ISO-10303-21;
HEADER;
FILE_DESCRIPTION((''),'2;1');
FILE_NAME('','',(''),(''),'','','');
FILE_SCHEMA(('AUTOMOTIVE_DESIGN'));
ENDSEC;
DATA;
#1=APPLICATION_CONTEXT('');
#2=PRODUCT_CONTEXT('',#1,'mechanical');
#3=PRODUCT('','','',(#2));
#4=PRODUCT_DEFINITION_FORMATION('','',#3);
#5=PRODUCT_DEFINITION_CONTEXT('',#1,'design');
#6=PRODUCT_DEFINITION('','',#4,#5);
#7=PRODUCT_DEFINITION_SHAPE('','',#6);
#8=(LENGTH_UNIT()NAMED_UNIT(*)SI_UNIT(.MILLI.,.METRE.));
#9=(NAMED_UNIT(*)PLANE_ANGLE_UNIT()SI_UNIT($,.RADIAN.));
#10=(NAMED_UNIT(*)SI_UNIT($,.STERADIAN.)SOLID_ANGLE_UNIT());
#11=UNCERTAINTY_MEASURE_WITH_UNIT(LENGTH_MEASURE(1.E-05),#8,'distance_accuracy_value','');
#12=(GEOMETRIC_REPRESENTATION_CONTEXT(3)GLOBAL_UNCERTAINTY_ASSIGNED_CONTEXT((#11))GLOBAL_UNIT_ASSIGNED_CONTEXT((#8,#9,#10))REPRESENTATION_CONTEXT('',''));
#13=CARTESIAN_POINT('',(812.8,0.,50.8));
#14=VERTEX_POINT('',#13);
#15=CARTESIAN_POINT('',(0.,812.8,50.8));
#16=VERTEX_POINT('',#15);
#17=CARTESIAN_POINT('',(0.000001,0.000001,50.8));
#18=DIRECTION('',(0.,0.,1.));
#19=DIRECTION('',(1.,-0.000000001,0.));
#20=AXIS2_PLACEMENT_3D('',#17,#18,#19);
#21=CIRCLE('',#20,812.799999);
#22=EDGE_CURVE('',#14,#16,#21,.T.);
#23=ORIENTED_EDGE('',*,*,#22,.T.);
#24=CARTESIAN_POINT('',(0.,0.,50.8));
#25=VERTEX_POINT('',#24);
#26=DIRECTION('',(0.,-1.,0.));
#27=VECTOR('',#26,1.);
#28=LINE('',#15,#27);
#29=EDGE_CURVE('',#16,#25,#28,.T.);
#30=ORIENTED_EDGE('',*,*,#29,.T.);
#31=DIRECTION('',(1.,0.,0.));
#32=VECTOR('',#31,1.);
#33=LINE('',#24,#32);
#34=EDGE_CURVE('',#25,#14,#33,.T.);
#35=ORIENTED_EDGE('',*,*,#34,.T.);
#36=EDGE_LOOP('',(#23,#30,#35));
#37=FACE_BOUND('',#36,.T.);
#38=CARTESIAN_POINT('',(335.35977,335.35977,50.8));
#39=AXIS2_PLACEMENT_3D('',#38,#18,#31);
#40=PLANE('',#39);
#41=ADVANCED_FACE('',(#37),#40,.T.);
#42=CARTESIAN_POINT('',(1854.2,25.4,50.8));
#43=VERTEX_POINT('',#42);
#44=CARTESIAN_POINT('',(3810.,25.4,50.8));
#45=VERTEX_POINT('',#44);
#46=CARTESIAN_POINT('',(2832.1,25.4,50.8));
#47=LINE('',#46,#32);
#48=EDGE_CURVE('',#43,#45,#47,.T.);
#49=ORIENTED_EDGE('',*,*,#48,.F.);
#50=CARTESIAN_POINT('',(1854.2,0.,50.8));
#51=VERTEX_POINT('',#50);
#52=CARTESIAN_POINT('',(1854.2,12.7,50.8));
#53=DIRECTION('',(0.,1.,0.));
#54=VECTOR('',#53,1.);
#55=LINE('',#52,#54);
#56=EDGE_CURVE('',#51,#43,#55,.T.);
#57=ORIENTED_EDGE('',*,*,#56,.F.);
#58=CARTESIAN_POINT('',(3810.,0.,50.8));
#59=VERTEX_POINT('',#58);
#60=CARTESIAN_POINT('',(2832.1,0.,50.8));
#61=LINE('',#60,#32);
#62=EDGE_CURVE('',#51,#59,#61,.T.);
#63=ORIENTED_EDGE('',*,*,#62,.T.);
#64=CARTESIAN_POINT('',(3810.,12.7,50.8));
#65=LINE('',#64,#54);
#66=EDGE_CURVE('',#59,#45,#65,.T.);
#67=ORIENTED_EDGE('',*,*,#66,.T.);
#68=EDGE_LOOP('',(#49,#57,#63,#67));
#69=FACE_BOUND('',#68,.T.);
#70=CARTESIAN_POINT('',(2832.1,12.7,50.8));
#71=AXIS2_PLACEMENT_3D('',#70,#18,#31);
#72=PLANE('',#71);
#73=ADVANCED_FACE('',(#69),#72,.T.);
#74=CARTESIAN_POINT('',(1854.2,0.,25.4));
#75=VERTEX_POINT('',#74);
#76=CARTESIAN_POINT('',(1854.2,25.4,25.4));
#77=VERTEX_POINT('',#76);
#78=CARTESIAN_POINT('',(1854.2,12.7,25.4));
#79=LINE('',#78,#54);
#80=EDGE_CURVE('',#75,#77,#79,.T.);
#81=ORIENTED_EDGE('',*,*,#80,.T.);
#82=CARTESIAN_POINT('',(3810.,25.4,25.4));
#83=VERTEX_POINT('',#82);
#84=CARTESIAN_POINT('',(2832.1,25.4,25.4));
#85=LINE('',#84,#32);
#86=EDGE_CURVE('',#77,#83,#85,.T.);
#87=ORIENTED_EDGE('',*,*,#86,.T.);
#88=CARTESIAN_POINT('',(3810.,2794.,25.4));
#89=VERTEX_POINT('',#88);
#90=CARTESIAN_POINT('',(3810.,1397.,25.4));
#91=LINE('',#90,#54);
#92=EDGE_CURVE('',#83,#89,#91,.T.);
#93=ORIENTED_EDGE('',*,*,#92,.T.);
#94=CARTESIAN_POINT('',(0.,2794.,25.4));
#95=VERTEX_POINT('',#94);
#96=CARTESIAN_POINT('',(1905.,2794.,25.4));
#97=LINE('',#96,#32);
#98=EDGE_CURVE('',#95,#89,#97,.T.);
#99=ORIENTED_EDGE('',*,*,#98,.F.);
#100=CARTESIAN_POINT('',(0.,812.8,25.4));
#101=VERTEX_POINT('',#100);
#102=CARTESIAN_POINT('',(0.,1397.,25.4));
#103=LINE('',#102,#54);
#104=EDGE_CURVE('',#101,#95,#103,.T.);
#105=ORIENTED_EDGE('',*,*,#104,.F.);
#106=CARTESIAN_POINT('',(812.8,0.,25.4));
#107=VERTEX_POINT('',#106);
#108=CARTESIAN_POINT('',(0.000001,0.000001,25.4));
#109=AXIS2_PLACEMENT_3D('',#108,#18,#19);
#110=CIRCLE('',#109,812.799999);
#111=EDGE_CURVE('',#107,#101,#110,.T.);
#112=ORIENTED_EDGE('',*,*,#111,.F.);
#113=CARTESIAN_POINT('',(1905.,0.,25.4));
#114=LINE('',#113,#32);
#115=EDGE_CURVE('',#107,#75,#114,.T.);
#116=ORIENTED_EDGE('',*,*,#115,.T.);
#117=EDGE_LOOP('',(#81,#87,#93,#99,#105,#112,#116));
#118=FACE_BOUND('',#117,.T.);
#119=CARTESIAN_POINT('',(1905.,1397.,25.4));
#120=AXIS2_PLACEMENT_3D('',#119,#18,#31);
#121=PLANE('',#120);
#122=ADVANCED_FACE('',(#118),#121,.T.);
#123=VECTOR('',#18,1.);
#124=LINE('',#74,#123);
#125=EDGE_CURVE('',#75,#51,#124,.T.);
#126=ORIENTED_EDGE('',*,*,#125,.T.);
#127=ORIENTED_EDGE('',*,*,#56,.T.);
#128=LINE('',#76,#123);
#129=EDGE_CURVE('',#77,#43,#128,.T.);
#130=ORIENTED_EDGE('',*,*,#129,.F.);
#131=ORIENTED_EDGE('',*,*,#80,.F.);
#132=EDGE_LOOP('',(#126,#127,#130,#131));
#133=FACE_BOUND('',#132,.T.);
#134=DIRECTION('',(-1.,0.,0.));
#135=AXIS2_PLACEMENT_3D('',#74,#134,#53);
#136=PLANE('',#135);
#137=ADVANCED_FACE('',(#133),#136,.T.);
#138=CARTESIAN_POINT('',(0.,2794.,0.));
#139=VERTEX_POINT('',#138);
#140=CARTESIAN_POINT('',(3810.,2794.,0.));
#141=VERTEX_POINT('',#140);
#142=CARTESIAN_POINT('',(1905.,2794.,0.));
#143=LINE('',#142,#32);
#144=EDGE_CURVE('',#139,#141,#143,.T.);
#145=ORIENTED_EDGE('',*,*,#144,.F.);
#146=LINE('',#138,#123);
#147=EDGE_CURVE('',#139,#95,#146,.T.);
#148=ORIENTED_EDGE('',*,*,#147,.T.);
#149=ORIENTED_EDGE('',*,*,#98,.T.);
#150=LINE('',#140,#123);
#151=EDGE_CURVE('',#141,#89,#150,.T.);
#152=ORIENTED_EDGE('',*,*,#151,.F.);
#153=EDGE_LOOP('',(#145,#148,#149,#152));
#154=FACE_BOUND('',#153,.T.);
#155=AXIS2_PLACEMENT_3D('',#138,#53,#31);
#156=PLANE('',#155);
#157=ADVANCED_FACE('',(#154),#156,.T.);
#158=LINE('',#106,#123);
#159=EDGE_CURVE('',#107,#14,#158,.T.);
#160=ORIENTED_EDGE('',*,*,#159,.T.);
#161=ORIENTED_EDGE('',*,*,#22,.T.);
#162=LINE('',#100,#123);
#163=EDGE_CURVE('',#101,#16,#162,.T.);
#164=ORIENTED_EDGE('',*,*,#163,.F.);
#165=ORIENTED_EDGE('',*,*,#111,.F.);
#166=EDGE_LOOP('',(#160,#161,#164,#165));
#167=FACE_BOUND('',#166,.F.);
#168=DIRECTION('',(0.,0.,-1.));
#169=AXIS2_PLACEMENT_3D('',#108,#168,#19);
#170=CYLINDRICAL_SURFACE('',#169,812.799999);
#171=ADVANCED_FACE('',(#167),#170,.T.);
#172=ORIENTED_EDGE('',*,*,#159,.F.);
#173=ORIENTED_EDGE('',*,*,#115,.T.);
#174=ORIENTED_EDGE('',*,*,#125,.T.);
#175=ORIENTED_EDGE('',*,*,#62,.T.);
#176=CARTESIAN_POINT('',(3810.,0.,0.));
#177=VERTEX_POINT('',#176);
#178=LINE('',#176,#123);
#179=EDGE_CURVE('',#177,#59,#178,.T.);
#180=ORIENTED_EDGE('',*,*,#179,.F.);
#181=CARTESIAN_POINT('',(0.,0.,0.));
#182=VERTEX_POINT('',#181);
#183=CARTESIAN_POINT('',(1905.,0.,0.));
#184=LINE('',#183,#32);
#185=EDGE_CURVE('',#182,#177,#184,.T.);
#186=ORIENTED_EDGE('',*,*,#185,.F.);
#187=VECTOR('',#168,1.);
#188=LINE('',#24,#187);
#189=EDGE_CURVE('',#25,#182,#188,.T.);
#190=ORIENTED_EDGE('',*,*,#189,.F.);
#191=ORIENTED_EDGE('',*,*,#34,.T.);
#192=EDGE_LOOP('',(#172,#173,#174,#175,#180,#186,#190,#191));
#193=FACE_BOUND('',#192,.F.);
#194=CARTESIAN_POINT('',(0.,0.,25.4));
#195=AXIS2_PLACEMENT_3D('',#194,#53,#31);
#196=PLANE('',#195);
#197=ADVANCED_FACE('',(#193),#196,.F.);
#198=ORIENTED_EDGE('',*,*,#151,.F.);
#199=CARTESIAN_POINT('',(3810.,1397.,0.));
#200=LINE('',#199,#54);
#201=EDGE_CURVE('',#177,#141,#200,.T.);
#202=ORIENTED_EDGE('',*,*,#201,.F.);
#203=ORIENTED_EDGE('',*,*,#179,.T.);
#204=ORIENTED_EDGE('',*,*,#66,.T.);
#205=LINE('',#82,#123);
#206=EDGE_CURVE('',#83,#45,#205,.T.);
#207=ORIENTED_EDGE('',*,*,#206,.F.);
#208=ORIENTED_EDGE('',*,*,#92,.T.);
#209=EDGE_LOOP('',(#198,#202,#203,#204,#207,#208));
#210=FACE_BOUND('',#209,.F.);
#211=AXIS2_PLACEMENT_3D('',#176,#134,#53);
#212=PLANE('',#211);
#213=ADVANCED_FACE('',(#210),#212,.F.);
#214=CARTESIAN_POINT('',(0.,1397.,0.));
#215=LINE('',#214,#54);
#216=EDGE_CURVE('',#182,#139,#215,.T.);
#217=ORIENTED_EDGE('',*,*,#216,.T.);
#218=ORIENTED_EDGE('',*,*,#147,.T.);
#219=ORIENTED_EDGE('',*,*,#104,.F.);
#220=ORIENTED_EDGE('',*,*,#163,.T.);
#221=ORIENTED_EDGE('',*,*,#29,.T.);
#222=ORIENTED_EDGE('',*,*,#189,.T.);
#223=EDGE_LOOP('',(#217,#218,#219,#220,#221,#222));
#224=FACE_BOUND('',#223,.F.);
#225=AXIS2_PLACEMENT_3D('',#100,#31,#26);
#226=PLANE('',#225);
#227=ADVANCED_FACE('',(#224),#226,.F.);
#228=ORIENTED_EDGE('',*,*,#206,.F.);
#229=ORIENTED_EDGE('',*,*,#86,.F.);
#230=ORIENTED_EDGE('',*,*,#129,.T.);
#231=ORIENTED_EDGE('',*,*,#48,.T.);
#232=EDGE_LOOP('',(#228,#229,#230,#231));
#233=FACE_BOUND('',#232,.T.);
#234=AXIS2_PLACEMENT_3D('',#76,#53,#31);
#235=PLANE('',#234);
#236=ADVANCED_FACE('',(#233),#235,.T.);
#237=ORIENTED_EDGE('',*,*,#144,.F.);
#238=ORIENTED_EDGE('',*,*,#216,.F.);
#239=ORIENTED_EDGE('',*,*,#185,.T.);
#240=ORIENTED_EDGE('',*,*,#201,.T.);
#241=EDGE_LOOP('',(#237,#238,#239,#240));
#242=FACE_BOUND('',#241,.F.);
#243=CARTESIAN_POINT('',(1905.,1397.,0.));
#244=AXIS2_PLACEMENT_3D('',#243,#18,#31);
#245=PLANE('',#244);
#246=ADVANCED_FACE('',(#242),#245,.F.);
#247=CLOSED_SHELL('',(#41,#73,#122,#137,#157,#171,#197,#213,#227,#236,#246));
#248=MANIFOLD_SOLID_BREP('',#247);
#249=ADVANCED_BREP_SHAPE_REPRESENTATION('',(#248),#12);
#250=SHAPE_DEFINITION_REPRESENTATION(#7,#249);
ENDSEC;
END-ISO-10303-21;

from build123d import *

# Parameters (mm, degrees)
F0_W     = 3810
F0_H     = 2794
F1_DEPTH = 25.4
F2_W     = 1955.8
F2_H     = 25.4
F3_DEPTH = 25.4


with BuildPart() as f1:
    # F0 (on Top) → F1 (new body)
    with BuildSketch(Plane.XY):
        with Locations((1905, 1397)):
            Rectangle(F0_W, F0_H)
    extrude(amount=F1_DEPTH)

    # F2 (on face) → F3 (join)
    with BuildSketch(Plane.XY.offset(25.4)):
        with BuildLine():
            Line((0, 0), (812.8, 0))
            ThreePointArc((812.8, 0), (574.736392, 574.736392), (0, 812.8))
            Line((0, 812.8), (0, 0))
        make_face()
        with Locations((2832.1, 12.7)):
            Rectangle(F2_W, F2_H)
    extrude(amount=F3_DEPTH)


solid = f1.part
